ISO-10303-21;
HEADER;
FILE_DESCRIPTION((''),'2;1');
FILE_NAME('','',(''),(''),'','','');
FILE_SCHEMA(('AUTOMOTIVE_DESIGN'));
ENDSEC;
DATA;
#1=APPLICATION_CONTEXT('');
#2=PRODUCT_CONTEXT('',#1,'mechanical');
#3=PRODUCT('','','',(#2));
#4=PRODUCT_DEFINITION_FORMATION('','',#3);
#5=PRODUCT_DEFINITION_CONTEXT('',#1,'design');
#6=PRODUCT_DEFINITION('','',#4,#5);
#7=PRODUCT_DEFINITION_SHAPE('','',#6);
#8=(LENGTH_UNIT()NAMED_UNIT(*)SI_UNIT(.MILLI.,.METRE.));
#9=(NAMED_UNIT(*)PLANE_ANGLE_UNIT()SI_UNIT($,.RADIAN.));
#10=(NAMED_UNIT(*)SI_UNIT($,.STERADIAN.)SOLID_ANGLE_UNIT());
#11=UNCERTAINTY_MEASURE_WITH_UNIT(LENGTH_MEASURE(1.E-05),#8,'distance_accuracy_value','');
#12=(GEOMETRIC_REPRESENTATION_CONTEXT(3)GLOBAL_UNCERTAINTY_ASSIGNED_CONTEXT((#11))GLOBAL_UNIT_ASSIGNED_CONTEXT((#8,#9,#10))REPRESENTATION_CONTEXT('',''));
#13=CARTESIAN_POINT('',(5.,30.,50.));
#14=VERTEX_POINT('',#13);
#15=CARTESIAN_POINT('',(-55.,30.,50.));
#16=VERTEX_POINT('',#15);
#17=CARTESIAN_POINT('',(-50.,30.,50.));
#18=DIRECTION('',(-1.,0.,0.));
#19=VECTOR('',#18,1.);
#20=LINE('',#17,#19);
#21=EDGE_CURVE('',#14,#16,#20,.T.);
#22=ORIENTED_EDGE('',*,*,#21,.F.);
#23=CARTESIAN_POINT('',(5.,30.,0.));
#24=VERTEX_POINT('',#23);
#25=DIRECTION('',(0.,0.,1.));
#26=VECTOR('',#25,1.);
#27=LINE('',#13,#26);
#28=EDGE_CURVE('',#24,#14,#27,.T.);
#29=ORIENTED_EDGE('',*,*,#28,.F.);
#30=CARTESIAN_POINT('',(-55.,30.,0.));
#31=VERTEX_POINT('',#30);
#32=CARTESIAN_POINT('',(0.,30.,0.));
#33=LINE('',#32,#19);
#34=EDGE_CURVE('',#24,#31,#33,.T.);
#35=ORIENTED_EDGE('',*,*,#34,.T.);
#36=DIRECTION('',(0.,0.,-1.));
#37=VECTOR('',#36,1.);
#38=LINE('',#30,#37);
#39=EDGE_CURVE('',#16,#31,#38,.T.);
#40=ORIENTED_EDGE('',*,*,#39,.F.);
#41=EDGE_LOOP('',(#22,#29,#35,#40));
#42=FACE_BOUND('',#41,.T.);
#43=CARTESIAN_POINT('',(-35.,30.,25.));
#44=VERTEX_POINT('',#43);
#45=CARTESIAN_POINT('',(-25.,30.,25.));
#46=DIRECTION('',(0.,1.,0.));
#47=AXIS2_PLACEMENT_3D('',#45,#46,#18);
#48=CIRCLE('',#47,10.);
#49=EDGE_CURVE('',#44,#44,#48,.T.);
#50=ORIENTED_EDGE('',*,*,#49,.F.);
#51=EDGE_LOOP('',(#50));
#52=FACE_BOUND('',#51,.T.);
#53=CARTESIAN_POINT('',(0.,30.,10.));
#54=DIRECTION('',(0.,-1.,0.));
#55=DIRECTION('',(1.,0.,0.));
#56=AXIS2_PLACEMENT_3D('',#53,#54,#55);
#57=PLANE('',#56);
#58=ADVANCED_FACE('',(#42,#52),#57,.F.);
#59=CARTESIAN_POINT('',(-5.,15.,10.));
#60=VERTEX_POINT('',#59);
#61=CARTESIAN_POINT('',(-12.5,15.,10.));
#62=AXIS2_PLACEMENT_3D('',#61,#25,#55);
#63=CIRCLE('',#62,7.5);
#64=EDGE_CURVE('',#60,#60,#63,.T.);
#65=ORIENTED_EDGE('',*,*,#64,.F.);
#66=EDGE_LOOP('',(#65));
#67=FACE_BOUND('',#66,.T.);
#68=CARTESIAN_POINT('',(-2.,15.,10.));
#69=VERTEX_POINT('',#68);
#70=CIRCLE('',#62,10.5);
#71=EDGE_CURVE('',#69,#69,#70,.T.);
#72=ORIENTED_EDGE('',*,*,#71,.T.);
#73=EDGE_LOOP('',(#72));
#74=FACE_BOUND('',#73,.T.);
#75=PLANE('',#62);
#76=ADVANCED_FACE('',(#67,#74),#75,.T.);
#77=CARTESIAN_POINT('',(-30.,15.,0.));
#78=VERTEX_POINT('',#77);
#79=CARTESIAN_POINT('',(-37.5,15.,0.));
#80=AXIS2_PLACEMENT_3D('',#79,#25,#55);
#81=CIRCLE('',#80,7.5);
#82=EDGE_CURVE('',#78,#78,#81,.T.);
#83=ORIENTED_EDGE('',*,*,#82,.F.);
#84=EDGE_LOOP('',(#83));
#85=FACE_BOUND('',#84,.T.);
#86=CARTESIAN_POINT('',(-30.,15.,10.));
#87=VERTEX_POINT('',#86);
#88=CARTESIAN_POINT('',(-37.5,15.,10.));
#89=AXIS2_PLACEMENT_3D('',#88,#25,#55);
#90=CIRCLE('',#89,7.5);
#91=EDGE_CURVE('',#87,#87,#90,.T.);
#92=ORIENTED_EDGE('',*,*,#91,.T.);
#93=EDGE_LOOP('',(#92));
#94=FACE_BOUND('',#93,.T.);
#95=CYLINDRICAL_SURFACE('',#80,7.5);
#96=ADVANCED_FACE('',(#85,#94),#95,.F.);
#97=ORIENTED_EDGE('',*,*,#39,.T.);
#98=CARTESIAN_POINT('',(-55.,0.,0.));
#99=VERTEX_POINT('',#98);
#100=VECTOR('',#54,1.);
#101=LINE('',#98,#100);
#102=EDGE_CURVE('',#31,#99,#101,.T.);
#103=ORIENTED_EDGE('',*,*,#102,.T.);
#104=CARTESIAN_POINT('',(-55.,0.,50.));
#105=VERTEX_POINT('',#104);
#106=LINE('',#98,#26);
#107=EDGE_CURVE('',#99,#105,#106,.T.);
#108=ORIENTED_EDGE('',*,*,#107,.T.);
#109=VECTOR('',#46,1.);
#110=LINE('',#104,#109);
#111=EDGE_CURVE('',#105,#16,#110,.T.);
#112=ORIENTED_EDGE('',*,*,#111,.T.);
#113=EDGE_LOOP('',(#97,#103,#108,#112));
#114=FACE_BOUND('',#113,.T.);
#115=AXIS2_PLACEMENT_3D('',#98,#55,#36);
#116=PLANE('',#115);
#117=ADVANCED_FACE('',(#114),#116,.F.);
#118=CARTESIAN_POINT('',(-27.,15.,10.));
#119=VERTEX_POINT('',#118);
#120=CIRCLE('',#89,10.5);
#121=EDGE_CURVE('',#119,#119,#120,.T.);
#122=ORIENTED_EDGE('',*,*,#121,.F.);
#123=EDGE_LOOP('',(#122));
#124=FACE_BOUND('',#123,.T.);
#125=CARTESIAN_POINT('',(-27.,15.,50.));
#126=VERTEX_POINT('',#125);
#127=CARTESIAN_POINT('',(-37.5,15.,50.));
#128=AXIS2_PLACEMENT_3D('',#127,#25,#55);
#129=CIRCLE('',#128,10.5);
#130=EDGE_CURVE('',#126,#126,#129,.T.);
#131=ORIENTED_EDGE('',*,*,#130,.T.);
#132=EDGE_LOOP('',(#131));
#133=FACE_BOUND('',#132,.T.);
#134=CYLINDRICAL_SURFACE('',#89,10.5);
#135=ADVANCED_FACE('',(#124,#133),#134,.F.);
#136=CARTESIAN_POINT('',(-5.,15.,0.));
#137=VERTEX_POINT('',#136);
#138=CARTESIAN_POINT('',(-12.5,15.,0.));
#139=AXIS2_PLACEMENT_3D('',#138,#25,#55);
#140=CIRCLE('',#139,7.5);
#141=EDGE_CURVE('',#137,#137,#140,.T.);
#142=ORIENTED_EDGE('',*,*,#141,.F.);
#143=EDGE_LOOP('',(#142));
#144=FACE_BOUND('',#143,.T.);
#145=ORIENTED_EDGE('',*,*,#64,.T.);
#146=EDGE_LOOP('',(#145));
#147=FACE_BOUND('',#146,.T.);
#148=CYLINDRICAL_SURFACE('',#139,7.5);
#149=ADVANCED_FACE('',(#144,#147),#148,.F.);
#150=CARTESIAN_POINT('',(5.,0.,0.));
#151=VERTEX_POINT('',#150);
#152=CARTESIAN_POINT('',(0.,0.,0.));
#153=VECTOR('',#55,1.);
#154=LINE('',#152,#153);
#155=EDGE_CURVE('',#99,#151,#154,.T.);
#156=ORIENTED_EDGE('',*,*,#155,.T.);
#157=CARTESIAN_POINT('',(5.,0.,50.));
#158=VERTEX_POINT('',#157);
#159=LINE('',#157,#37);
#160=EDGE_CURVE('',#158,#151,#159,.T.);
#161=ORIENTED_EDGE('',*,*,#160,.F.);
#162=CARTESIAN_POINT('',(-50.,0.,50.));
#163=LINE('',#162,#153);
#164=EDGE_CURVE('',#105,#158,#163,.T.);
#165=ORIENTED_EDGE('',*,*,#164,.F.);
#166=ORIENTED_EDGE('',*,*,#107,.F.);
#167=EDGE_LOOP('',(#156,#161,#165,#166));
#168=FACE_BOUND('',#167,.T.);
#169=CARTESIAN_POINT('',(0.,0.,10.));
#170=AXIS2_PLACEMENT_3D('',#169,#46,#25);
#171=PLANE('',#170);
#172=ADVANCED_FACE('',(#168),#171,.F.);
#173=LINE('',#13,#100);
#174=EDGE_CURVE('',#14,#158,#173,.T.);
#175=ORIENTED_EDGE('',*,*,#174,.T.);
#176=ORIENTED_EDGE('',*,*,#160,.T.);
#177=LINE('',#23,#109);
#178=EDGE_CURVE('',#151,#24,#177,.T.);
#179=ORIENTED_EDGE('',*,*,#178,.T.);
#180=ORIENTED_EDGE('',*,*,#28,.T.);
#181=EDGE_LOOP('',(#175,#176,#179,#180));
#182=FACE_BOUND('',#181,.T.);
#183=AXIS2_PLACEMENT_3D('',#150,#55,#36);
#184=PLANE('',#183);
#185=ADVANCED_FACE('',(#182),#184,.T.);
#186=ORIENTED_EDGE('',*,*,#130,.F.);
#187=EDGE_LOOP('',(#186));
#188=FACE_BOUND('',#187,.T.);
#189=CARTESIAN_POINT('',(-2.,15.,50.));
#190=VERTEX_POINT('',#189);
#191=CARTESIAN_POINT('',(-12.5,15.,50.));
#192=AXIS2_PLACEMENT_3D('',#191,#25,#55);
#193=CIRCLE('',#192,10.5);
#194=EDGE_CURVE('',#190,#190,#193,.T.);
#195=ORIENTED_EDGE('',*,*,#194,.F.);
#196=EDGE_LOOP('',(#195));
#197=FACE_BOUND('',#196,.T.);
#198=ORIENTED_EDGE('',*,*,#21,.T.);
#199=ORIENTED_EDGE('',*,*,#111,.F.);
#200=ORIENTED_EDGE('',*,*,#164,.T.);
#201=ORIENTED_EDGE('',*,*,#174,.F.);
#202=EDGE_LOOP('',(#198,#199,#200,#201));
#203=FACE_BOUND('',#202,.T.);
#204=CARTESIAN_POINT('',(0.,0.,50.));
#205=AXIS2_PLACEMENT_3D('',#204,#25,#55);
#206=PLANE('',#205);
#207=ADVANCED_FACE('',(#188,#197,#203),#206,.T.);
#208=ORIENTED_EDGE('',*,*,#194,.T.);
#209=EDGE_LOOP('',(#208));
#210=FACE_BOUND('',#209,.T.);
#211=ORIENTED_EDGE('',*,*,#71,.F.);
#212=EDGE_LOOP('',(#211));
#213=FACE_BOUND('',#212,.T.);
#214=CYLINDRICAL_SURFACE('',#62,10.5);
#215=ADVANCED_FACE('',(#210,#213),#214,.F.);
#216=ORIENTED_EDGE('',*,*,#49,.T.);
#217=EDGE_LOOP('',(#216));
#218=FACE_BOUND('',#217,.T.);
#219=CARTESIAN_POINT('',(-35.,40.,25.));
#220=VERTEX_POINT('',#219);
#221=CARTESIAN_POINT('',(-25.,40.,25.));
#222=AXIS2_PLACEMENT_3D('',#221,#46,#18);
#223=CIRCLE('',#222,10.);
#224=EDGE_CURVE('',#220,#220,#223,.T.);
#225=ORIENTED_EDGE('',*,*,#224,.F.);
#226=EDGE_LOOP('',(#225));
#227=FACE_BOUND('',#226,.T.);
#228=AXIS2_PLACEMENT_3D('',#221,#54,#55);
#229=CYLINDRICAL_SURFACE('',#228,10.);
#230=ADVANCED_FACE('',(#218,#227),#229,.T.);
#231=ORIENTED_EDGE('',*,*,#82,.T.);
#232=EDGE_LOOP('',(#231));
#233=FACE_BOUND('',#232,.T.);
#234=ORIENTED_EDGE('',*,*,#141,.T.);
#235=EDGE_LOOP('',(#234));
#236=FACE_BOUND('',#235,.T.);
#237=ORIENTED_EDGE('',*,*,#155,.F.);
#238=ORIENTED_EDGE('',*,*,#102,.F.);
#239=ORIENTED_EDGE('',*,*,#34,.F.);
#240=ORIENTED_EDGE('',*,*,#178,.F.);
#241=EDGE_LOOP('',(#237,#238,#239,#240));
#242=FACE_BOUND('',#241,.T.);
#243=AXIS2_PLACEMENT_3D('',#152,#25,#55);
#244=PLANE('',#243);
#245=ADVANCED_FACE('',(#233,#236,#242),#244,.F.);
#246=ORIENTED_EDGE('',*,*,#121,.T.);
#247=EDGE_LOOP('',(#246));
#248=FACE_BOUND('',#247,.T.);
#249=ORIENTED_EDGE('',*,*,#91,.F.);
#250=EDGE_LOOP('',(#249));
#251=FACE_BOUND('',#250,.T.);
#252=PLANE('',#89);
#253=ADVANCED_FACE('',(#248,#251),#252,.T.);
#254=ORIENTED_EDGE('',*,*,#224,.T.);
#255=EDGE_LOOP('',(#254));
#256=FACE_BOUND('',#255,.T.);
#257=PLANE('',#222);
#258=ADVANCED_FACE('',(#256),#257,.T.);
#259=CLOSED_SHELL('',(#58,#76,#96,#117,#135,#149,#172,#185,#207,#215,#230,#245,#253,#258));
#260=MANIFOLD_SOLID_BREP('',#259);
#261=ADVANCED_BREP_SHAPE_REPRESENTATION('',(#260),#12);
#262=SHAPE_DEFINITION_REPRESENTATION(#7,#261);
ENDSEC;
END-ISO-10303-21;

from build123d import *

# Parameters (mm, degrees)
SKETCH1_W           = 50
SKETCH1_H           = 30
BOSS_EXTRUDE1_DEPTH = 10
SKETCH2_R           = 7.5
CUT_EXTRUDE1_DEPTH  = 10
SKETCH3_W           = 50
SKETCH3_H           = 30
BOSS_EXTRUDE2_DEPTH = 40
SKETCH4_R           = 10.5
CUT_EXTRUDE2_DEPTH  = 40
SKETCH5_W           = 50
SKETCH5_H           = 30
BOSS_EXTRUDE3_DEPTH = 5
SKETCH6_W           = 50
SKETCH6_H           = 30
BOSS_EXTRUDE4_DEPTH = 5
SKETCH7_R           = 10
BOSS_EXTRUDE5_DEPTH = 10


with BuildPart() as part:
    # Sketch1 → Boss-Extrude1 (new body)
    with BuildSketch(Plane.XY):
        with Locations((-25, 15)):
            Rectangle(SKETCH1_W, SKETCH1_H)
    extrude(amount=BOSS_EXTRUDE1_DEPTH)

    # Sketch2 → Cut-Extrude1 (cut)
    with BuildSketch(Plane.XY.offset(10)):
        with Locations((-37.5, 15)):
            Circle(SKETCH2_R)
        with Locations((-12.5, 15)):
            Circle(SKETCH2_R)
    extrude(amount=-CUT_EXTRUDE1_DEPTH, mode=Mode.SUBTRACT)

    # Sketch3 → Boss-Extrude2 (add)
    with BuildSketch(Plane.XY.offset(10)):
        with Locations((-25, 15)):
            Rectangle(SKETCH3_W, SKETCH3_H)
    extrude(amount=BOSS_EXTRUDE2_DEPTH)

    # Sketch4 → Cut-Extrude2 (cut)
    with BuildSketch(Plane.XY.offset(50)):
        with Locations((-37.5, 15)):
            Circle(SKETCH4_R)
        with Locations((-12.5, 15)):
            Circle(SKETCH4_R)
    extrude(amount=-CUT_EXTRUDE2_DEPTH, mode=Mode.SUBTRACT)

    # Sketch5 → Boss-Extrude3 (add)
    with BuildSketch(Plane(origin=(0, 0, 0), x_dir=(0, 0, -1), z_dir=(1, 0, 0))):
        with Locations((-25, 15)):
            Rectangle(SKETCH5_W, SKETCH5_H)
    extrude(amount=BOSS_EXTRUDE3_DEPTH)

    # Sketch6 → Boss-Extrude4 (add)
    with BuildSketch(Plane.ZY.offset(50)):
        with Locations((25, 15)):
            Rectangle(SKETCH6_W, SKETCH6_H)
    extrude(amount=BOSS_EXTRUDE4_DEPTH)

    # Sketch7 → Boss-Extrude5 (add)
    with BuildSketch(Plane(origin=(0, 30, 0), x_dir=(1, 0, 0), z_dir=(0, 1, 0))):
        with Locations(Location((-25, -25, 0), (0, 0, 180))):
            Circle(SKETCH7_R)
    extrude(amount=BOSS_EXTRUDE5_DEPTH)


solid = part.part
